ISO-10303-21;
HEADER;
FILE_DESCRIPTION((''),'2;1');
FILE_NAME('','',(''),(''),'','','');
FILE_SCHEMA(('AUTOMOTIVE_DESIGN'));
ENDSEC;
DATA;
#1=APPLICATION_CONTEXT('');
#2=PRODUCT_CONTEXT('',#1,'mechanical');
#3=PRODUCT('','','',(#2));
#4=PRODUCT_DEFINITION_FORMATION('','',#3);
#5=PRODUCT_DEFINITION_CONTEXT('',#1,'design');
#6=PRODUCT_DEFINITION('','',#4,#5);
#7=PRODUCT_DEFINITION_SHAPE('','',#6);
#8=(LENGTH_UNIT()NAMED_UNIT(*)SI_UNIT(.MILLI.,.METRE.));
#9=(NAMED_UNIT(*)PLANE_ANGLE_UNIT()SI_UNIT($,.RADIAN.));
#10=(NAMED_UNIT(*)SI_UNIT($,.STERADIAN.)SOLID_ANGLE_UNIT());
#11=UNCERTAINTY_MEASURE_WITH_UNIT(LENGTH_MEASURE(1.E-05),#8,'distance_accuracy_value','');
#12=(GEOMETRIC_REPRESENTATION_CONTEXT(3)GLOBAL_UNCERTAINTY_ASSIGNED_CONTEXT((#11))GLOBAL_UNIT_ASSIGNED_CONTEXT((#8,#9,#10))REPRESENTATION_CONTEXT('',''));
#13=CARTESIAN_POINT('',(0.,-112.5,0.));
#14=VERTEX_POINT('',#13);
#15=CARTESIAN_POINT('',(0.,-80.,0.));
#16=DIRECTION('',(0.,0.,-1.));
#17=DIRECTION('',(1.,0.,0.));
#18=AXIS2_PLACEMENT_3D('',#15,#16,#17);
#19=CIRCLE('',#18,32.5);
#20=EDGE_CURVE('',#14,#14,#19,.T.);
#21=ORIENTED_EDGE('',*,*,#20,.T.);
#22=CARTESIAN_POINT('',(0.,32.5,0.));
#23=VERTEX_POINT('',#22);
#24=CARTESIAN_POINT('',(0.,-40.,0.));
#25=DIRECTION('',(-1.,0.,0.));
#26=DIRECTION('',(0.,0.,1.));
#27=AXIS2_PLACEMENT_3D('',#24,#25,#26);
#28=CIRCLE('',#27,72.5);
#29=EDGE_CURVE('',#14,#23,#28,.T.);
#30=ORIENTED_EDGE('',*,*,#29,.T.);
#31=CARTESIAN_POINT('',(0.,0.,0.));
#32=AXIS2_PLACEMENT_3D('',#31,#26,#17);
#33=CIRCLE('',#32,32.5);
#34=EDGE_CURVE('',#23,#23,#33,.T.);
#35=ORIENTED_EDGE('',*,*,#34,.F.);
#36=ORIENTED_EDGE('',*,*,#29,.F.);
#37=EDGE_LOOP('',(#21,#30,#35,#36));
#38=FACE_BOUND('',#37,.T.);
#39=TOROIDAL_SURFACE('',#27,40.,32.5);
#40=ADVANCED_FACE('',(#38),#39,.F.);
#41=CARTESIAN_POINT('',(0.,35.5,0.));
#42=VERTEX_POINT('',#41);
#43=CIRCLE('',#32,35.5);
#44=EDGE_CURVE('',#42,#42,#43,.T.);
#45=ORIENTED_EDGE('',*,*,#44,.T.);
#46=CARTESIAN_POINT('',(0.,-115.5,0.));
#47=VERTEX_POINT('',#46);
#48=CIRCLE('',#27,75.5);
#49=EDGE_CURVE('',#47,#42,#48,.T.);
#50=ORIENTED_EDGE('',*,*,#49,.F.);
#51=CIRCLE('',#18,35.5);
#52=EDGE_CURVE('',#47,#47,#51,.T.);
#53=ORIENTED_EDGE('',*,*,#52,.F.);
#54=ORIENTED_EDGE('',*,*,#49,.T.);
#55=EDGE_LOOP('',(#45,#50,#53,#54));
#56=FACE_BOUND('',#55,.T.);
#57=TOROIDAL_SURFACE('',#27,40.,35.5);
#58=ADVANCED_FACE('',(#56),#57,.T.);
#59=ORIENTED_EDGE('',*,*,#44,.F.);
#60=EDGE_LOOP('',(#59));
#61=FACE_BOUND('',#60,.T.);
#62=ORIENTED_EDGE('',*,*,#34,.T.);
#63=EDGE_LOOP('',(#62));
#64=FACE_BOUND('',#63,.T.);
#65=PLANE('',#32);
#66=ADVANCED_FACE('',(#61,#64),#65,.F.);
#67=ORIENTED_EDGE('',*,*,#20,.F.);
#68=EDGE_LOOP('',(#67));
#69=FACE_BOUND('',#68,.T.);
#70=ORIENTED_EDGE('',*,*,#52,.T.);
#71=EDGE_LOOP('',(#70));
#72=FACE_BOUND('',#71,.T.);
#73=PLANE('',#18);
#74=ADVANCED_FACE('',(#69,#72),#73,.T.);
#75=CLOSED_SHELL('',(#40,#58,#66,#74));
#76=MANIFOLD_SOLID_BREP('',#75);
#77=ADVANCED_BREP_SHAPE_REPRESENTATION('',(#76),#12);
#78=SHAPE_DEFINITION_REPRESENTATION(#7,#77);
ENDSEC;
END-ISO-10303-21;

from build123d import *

# Parameters (mm, degrees)
ESQUISSE1_R       = 35.5
ESQUISSE1_R_2     = 32.5
R_VOLUTION1_ANGLE = 180


with BuildPart() as part:
    # Esquisse1 → Révolution1 (revolve)
    with BuildSketch(Plane.XY):
        Circle(ESQUISSE1_R)
        Circle(ESQUISSE1_R_2, mode=Mode.SUBTRACT)
    revolve(axis=Axis((-314.903059277, -40, 0), (1, 0, 0)), revolution_arc=R_VOLUTION1_ANGLE)


solid = part.part
